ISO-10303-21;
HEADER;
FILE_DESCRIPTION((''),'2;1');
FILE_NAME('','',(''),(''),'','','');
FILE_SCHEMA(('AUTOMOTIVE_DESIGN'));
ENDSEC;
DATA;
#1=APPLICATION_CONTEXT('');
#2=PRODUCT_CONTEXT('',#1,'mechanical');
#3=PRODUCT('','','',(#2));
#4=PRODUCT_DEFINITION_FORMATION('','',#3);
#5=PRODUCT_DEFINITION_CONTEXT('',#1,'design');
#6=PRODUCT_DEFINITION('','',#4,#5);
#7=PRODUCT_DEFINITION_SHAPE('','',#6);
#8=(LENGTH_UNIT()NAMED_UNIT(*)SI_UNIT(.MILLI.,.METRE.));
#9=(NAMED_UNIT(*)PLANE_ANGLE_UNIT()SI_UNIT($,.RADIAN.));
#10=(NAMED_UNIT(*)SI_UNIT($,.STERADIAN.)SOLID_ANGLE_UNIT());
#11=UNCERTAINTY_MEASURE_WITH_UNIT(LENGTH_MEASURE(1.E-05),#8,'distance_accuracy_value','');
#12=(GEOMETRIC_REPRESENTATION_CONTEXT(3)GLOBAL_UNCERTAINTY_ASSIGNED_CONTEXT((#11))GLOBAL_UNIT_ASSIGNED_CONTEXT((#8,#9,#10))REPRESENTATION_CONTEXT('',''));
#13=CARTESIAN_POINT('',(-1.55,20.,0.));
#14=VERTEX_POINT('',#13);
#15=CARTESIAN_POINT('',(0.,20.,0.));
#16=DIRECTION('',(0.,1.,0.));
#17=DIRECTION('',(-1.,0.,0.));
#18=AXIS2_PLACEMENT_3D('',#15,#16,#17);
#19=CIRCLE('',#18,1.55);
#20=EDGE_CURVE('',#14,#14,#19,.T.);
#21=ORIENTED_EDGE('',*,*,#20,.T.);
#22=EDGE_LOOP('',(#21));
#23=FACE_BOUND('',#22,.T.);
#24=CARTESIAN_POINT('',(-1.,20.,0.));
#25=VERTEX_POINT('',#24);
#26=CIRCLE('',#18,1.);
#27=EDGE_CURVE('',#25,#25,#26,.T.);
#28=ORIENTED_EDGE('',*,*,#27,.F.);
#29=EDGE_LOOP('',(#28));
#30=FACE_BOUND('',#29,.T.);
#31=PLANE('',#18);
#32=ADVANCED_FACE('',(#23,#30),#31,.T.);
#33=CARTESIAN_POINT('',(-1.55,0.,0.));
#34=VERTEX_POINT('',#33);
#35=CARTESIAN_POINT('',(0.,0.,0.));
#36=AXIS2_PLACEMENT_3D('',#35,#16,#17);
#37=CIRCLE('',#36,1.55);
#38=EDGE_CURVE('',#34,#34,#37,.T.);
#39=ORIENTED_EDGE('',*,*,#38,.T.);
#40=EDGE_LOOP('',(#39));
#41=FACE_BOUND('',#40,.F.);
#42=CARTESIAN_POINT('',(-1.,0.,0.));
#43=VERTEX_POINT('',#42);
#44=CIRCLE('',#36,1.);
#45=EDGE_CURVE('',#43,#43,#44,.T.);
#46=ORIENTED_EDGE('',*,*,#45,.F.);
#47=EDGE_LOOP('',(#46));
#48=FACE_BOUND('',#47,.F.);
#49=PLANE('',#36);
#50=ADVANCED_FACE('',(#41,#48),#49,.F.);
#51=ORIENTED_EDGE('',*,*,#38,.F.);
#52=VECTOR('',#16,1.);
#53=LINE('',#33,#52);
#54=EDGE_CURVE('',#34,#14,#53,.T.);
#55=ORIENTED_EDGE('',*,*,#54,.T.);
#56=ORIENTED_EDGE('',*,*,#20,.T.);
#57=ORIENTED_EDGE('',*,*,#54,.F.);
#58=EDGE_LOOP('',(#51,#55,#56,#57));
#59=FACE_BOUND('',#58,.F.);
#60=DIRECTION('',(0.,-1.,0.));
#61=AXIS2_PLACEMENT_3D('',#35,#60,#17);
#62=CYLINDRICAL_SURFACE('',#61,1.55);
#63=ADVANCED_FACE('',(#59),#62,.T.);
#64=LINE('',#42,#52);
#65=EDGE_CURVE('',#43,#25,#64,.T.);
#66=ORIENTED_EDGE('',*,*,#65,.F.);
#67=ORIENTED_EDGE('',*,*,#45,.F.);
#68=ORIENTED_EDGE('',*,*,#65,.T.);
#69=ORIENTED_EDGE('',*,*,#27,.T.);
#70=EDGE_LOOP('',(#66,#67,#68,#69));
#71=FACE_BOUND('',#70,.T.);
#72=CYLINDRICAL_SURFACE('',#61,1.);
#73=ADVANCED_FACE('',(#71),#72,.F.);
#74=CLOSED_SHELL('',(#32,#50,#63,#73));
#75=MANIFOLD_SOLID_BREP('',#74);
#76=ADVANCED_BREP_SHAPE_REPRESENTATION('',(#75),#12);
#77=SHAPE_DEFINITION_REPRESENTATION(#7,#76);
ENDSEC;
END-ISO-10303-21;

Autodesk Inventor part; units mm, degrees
ref_plane "YZ Plane" through (0, 0, 0) normal (1, 0, 0) x (0, 1, 0)
ref_plane "XZ Plane" through (0, 0, 0) normal (0, 1, 0) x (-1, 0, 0)
ref_plane "XY Plane" through (0, 0, 0) normal (0, 0, 1) x (1, 0, 0)
sketch "Sketch1" plane through (0, 0, 0) normal (0, 1, 0) x (-1, 0, 0)
  circle A0 centre (0, 0) radius 1
  circle A1 centre (0, 0) radius 1.55
  dimension "d0" = 2
  dimension "d1" = 3.1
extrude "Extrusion1" add sketch "Sketch1" along normal blind 20
properties part number "GasEinlass_Flansch"
